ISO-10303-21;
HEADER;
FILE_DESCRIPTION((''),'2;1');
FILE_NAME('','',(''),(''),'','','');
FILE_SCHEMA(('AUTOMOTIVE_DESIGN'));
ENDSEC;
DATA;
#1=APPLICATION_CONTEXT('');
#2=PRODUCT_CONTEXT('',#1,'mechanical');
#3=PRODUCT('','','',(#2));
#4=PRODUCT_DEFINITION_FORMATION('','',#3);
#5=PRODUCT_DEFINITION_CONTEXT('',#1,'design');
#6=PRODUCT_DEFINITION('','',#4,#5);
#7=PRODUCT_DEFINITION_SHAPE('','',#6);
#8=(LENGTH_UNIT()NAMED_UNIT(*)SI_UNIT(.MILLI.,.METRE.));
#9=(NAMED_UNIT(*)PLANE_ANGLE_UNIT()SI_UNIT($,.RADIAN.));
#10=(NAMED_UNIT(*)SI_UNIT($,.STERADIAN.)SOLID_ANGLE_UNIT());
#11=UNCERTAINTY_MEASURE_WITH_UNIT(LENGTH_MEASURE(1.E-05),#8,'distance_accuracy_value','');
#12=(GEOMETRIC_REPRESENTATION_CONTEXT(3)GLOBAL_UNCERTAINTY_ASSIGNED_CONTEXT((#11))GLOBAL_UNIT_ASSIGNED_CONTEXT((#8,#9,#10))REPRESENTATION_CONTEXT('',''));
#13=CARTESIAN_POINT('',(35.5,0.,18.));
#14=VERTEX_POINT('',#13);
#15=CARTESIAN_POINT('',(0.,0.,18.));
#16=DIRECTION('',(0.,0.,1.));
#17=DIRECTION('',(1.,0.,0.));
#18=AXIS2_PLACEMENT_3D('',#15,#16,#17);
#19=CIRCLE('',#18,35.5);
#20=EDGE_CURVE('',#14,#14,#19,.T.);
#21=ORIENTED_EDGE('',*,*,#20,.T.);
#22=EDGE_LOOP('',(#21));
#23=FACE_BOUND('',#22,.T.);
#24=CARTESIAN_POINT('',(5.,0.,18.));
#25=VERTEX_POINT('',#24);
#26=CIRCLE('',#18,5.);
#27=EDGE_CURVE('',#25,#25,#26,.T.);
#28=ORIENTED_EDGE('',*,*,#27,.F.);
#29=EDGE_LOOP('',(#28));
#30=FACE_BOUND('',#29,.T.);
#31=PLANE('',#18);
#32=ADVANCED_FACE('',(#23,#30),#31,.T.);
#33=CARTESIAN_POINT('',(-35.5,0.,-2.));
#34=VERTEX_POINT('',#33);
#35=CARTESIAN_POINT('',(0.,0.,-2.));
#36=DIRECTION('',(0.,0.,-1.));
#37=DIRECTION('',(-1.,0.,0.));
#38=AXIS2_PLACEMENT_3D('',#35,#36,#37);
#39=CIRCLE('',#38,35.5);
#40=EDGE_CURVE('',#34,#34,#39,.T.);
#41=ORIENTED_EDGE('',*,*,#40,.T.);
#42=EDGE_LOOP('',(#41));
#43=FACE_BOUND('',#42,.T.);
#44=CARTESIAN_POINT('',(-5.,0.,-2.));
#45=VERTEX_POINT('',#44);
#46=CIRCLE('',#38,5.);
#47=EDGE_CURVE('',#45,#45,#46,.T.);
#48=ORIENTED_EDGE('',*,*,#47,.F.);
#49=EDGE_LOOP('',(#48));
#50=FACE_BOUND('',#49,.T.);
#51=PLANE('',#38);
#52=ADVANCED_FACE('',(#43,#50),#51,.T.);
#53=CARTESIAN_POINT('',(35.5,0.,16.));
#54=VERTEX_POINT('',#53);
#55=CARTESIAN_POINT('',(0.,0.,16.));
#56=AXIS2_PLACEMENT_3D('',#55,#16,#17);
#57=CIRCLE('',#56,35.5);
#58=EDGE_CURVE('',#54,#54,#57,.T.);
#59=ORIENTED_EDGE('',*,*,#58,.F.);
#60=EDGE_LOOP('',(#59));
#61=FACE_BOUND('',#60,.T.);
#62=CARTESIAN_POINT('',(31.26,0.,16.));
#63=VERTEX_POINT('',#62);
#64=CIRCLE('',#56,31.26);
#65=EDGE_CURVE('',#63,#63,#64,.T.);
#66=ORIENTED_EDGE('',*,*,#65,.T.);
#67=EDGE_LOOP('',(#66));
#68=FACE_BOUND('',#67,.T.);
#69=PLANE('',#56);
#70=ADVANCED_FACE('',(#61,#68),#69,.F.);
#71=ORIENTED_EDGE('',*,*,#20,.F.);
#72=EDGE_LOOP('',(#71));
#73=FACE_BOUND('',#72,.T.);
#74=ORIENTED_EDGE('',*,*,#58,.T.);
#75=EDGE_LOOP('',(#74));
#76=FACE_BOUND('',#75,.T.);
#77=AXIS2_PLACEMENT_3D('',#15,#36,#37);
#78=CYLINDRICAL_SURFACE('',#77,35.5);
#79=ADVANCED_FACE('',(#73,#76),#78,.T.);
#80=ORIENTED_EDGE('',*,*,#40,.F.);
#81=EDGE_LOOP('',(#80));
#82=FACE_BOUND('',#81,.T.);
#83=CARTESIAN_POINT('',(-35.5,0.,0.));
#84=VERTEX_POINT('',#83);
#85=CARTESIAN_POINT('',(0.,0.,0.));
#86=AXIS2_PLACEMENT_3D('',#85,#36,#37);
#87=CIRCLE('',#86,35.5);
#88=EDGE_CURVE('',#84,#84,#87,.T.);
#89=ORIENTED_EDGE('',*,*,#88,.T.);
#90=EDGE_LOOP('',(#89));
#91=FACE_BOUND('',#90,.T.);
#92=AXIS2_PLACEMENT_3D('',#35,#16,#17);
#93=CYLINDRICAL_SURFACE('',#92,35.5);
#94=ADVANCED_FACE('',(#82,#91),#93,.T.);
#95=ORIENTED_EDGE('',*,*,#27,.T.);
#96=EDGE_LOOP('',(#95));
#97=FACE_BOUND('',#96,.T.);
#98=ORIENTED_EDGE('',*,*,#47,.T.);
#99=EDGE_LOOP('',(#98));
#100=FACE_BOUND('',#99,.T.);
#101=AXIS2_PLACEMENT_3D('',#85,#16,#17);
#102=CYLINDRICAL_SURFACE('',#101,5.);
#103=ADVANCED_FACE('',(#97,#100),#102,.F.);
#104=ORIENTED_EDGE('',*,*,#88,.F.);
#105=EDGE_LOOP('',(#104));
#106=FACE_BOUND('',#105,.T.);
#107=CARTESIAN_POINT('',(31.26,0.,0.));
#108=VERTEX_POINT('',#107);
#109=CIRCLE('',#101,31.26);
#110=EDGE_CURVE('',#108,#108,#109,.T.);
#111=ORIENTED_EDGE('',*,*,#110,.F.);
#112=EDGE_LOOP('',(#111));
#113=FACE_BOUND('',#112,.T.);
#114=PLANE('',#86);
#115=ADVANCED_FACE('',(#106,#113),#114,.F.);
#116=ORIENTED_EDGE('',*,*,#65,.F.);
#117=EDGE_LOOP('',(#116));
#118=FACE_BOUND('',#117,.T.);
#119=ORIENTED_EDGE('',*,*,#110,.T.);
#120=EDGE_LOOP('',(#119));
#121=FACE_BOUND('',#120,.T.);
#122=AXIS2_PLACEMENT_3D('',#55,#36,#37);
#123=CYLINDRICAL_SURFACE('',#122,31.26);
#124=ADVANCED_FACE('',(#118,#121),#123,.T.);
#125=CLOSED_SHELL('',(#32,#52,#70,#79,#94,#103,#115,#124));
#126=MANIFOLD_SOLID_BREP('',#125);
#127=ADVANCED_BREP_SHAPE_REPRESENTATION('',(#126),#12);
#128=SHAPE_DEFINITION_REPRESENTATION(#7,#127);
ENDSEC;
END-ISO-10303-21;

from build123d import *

# Parameters (mm, degrees)
SKETCH_1_R          = 31.26
EXTRUDE_1_DEPTH     = 16
SKETCH_2_R          = 5
CUT_EXTRUDE_1_DEPTH = 16
EXTRUDE_START       = 2
SKETCH_3_R          = 35.5
SKETCH_3_R_2        = 5
EXTRUDE_2_DEPTH     = 2
SKETCH_4_R          = 35.5
SKETCH_4_R_2        = 5
EXTRUDE_3_DEPTH     = 2


with BuildPart() as part:
    # 草图1 → 凸台-拉伸1 (new body)
    with BuildSketch(Plane.XY):
        Circle(SKETCH_1_R)
    extrude(amount=EXTRUDE_1_DEPTH)

    # 草图2 → 切除-拉伸1 (cut)
    with BuildSketch(Plane.XY.offset(16)):
        Circle(SKETCH_2_R)
    extrude(amount=-CUT_EXTRUDE_1_DEPTH, mode=Mode.SUBTRACT)

    # 草图3 → 凸台-拉伸2 (add)
    with BuildSketch(Plane.XY.offset(16).offset(EXTRUDE_START)):
        Circle(SKETCH_3_R)
        Circle(SKETCH_3_R_2, mode=Mode.SUBTRACT)
    extrude(amount=-EXTRUDE_2_DEPTH)

    # 草图4 → 凸台-拉伸3 (add)
    with BuildSketch(Plane(origin=(0, 0, 0), x_dir=(-1, 0, 0), z_dir=(0, 0, -1))):
        with Locations(Location((0, 0, 0), (0, 0, 180))):
            Circle(SKETCH_4_R)
        with Locations(Location((0, 0, 0), (0, 0, 180))):
            Circle(SKETCH_4_R_2, mode=Mode.SUBTRACT)
    extrude(amount=EXTRUDE_3_DEPTH)


solid = part.part
